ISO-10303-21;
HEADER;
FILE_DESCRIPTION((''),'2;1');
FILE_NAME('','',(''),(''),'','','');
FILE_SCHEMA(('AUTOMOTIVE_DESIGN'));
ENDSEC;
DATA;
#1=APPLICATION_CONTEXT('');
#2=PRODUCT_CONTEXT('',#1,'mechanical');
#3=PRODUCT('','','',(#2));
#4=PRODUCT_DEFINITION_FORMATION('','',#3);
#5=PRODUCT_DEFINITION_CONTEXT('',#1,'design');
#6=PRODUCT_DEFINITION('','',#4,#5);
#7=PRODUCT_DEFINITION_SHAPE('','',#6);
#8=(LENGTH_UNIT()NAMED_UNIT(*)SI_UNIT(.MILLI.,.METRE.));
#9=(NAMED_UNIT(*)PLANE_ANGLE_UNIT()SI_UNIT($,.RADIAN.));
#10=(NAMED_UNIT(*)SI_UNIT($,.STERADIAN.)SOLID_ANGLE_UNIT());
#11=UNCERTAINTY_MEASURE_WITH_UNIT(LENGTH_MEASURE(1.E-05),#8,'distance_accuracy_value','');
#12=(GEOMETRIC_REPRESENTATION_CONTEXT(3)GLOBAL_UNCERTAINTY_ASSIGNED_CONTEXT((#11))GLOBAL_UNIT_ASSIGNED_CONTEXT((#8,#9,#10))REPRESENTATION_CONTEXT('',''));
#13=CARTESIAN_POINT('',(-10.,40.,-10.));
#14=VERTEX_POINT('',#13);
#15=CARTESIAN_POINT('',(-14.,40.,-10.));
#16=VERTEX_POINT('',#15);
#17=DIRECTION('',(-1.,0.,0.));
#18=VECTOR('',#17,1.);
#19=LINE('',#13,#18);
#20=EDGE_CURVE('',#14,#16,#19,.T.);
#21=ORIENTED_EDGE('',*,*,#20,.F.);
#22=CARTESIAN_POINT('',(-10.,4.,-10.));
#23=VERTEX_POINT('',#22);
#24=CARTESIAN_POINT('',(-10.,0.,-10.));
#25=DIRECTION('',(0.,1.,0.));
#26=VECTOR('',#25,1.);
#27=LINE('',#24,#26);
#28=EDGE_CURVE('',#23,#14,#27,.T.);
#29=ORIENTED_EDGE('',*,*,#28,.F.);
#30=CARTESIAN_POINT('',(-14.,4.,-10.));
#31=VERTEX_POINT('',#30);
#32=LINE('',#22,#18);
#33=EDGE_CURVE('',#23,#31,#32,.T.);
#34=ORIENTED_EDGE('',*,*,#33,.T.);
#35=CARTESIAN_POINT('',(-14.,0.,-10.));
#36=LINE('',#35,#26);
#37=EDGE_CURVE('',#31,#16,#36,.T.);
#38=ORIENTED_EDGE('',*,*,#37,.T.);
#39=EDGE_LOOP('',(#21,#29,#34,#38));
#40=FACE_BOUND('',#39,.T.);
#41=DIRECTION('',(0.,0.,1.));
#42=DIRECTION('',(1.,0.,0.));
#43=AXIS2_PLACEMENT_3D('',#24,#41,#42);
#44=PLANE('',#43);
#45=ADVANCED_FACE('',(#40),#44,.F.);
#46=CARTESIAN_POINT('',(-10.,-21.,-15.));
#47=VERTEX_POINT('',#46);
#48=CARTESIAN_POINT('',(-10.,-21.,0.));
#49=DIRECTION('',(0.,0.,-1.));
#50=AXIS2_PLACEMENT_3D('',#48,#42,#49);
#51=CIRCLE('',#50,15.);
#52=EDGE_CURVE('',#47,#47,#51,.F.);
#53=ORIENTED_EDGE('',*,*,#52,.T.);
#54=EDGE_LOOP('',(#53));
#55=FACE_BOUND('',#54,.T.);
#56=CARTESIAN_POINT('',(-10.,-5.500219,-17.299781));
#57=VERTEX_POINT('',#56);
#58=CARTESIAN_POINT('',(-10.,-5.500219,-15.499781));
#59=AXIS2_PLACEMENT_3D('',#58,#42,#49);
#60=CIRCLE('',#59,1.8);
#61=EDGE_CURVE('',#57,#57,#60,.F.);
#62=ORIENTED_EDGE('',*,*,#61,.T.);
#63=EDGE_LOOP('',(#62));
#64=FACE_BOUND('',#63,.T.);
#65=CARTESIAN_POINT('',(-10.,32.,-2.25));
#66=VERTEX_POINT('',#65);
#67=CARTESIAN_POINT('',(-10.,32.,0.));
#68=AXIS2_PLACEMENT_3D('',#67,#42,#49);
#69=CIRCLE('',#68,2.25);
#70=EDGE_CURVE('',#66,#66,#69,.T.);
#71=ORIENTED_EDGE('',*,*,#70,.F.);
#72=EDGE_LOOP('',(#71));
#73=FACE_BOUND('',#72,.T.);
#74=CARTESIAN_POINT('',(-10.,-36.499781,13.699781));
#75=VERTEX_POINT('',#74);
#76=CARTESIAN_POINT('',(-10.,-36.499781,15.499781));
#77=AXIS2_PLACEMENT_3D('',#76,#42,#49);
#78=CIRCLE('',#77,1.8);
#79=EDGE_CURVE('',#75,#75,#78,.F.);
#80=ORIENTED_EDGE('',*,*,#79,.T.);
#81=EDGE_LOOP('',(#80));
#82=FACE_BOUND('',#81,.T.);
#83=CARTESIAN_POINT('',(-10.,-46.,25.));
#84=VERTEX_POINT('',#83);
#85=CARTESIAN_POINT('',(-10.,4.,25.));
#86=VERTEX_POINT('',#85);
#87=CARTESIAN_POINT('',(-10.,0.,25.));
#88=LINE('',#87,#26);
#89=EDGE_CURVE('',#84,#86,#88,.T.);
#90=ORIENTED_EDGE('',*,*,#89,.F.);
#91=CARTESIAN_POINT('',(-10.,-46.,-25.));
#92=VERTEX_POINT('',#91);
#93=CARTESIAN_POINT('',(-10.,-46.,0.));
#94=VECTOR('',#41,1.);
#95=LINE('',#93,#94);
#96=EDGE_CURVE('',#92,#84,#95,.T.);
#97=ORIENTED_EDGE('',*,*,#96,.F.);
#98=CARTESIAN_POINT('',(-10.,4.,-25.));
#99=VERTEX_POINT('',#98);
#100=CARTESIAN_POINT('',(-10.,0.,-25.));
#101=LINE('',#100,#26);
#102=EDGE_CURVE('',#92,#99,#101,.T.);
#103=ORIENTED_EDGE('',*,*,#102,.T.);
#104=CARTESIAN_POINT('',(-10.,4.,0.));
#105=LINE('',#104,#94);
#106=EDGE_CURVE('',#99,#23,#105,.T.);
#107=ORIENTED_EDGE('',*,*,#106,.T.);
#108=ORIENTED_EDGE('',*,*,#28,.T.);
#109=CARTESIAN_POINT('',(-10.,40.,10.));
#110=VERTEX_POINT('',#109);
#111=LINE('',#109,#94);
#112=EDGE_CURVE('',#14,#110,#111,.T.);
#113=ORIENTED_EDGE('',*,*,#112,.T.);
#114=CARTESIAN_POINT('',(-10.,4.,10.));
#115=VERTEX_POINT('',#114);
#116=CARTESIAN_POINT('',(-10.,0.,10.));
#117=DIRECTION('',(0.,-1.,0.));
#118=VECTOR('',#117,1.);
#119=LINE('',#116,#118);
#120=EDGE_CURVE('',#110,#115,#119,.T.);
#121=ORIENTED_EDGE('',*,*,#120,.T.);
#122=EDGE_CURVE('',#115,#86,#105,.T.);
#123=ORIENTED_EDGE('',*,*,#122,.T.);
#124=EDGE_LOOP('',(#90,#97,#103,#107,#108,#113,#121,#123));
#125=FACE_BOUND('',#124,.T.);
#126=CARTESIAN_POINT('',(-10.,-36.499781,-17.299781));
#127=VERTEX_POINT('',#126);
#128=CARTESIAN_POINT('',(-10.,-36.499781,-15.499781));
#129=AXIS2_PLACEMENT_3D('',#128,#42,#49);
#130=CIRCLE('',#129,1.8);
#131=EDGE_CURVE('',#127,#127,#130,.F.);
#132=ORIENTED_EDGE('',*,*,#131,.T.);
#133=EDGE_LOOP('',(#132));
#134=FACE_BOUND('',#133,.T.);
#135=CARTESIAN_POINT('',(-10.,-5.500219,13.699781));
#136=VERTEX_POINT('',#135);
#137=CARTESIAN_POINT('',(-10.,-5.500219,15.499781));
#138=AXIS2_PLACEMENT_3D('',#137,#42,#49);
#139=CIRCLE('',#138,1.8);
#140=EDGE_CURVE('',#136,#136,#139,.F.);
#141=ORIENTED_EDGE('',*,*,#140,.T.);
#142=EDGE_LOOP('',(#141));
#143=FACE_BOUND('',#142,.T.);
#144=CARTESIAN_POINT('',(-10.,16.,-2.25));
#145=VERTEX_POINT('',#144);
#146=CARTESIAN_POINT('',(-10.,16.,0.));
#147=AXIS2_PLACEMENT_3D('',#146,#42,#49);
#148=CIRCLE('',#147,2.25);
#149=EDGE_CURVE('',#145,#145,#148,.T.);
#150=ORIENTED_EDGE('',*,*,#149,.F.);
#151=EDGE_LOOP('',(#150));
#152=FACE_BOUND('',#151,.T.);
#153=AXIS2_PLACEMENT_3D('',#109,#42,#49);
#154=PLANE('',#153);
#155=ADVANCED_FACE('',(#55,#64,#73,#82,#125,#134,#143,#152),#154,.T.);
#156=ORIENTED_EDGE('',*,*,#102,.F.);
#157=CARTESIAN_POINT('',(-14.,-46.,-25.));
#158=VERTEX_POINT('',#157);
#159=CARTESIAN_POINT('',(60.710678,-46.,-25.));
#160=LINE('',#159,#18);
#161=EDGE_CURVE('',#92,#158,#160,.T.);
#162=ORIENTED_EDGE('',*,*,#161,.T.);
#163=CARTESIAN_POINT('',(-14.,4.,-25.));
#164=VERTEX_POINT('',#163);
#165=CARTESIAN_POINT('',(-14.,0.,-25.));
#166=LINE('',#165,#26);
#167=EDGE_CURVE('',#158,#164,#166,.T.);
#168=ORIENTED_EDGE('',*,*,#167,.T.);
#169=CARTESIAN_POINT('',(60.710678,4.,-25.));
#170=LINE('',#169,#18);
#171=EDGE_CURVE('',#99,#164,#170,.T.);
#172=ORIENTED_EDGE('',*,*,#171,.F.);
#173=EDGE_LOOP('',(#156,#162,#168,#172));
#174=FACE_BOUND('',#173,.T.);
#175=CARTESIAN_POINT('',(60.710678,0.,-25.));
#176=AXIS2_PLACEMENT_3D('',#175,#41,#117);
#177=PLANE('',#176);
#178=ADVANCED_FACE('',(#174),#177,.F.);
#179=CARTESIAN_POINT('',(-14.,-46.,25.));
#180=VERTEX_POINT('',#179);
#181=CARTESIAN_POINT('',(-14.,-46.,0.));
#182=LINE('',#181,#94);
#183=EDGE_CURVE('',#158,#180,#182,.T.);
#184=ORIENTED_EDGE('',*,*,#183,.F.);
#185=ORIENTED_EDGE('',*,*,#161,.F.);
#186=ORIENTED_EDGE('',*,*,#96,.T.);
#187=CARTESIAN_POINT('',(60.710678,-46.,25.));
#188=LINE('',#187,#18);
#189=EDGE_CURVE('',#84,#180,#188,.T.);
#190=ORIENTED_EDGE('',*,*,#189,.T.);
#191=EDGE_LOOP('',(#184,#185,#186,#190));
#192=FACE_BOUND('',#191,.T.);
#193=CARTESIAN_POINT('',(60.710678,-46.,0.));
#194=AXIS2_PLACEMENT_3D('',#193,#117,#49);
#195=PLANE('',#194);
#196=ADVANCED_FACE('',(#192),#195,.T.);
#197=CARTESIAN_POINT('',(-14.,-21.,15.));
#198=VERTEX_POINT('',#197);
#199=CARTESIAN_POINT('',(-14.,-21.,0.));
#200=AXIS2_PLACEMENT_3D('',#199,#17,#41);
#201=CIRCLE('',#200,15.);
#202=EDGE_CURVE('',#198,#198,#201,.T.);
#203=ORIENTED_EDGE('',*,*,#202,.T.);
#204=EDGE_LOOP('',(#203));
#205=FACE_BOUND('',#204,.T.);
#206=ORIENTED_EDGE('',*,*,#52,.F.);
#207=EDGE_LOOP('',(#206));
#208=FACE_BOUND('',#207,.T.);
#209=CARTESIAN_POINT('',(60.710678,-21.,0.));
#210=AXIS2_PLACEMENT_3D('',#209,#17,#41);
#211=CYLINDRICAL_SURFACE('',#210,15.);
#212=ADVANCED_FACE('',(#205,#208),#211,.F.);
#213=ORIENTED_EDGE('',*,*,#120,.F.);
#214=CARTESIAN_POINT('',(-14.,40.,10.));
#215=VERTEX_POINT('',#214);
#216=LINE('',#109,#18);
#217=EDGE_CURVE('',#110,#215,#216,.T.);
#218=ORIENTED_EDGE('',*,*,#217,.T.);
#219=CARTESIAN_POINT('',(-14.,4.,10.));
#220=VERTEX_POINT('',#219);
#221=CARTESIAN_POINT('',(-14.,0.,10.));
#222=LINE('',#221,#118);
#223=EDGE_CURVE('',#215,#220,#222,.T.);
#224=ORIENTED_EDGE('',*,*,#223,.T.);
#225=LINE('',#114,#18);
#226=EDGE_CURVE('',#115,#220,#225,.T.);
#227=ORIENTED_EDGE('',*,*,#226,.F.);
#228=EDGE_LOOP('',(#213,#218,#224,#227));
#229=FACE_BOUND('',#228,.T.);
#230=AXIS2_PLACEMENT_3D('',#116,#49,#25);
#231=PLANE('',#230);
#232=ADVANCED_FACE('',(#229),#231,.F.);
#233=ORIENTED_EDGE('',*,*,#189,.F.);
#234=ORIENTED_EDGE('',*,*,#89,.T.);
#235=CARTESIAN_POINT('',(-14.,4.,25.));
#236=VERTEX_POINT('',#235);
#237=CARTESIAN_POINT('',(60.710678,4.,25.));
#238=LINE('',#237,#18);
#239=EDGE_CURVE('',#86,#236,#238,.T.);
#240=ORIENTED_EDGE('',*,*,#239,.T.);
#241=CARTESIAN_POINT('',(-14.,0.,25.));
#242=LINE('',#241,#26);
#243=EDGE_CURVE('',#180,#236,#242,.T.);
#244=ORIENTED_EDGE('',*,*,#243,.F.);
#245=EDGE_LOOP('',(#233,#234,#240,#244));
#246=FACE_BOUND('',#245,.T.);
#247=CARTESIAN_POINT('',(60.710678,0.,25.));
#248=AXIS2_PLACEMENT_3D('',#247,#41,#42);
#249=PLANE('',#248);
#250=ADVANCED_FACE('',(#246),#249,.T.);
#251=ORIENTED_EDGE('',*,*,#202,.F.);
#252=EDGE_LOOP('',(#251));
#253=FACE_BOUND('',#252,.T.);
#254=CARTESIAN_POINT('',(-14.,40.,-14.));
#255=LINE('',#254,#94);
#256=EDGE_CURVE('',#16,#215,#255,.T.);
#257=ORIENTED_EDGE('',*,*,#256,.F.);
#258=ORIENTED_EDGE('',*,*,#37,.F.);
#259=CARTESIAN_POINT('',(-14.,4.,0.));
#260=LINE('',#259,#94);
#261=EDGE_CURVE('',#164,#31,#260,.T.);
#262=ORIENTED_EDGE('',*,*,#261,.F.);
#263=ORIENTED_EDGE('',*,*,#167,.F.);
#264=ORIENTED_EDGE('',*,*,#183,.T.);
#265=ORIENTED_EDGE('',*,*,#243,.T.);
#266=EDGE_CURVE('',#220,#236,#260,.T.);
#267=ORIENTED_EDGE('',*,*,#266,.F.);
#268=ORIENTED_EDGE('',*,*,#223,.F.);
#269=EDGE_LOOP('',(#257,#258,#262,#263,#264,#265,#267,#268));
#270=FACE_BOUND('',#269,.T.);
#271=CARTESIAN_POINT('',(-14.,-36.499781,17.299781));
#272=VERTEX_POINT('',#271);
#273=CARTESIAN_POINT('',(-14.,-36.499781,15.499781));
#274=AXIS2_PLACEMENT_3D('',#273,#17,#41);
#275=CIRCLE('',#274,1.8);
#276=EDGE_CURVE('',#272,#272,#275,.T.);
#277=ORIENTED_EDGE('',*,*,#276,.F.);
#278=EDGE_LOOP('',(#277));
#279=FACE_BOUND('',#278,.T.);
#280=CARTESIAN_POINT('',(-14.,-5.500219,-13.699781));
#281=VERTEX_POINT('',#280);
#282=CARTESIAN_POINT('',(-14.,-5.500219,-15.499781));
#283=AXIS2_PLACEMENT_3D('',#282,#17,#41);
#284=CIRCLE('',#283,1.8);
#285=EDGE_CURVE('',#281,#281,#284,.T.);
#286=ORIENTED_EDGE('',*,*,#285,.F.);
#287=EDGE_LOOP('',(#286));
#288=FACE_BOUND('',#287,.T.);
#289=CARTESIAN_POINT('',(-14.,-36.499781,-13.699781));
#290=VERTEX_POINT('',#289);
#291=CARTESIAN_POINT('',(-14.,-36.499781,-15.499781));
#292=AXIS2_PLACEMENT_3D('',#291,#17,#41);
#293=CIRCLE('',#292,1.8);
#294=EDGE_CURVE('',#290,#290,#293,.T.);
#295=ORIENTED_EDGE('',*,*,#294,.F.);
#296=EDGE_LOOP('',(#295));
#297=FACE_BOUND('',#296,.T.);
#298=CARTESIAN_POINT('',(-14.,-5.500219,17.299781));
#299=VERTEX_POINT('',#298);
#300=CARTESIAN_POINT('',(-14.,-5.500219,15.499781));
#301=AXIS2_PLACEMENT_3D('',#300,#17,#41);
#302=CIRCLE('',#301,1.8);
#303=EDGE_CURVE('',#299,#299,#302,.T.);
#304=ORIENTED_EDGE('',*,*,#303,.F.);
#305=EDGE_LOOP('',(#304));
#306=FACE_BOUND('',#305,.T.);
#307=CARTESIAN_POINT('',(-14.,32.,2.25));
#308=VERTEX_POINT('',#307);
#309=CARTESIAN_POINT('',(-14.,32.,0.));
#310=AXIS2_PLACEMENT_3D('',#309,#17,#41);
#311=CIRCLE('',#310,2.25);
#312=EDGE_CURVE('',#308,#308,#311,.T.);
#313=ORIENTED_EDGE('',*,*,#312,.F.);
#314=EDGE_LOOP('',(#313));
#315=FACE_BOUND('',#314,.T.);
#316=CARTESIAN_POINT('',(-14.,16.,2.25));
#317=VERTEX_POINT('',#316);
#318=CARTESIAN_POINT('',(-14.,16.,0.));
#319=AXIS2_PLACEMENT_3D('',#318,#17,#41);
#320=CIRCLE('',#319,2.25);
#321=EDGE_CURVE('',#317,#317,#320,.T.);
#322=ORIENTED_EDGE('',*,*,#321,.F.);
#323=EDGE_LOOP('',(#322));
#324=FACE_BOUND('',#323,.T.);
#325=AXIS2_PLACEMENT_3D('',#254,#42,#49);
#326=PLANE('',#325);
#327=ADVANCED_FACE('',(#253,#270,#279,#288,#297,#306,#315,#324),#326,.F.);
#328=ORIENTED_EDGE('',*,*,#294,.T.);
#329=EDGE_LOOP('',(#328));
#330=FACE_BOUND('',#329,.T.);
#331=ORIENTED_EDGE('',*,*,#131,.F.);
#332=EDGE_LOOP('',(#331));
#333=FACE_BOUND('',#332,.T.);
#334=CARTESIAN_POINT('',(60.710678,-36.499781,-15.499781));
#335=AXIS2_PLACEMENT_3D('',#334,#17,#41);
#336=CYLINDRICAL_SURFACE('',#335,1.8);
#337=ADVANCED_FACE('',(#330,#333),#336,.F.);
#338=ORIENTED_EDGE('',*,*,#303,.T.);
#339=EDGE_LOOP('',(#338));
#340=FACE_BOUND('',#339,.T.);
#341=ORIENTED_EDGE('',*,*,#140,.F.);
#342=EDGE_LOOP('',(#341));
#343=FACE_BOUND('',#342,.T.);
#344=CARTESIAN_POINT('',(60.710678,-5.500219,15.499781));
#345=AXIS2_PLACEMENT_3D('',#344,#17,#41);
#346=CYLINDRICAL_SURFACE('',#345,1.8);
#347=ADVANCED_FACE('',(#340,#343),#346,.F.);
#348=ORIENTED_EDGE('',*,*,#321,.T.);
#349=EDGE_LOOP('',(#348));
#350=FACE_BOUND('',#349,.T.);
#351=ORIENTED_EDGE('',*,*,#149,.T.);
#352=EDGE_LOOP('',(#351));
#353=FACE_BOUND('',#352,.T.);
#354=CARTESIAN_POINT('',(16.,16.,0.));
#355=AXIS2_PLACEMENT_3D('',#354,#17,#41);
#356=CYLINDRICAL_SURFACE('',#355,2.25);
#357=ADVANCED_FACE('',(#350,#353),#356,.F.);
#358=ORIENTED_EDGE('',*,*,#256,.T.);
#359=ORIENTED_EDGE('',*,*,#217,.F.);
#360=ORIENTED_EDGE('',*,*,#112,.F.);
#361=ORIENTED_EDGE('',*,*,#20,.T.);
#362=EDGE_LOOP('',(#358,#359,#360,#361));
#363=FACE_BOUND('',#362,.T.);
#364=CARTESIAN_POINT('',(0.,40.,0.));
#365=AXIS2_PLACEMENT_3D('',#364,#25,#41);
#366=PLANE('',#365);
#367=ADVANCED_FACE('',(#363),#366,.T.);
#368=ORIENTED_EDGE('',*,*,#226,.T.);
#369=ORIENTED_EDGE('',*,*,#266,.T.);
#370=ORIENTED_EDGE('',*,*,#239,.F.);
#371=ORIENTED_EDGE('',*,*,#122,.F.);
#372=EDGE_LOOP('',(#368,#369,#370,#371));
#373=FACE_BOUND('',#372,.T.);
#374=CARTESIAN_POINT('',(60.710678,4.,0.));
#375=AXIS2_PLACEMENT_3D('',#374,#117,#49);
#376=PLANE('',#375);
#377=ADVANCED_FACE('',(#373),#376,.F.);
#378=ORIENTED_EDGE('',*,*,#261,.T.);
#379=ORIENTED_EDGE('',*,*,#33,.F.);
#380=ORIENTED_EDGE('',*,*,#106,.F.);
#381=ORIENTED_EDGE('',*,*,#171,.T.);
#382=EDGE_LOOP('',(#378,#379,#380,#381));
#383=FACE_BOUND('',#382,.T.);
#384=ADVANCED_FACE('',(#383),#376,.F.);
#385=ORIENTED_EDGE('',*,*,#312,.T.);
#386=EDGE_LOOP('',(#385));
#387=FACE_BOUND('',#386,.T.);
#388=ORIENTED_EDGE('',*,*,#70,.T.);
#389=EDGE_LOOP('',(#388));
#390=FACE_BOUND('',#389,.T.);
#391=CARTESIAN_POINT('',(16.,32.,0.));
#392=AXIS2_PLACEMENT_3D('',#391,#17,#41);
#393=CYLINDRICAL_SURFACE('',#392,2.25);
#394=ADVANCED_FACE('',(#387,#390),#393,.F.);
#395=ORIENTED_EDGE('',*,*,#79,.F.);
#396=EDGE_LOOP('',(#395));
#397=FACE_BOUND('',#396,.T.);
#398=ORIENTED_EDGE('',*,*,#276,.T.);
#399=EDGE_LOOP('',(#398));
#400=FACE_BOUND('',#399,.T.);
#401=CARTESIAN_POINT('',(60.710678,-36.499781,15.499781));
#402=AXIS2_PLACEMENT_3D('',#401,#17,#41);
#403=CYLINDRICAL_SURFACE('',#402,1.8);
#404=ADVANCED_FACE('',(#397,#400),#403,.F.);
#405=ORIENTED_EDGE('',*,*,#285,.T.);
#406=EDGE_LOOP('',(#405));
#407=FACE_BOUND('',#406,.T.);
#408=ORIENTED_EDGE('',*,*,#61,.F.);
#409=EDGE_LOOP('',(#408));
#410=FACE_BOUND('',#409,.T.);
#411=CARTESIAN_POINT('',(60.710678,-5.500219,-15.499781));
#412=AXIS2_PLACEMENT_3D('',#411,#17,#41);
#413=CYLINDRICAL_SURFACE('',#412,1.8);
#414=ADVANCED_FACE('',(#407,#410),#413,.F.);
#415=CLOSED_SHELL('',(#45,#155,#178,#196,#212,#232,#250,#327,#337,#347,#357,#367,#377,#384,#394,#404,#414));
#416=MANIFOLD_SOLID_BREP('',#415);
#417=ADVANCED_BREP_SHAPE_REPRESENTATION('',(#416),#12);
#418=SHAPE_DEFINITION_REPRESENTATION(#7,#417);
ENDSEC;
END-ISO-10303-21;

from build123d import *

# Parameters (mm, degrees)
SKETCH1_W           = 28
SKETCH1_H           = 28
SKETCH1_W_2         = 20
SKETCH1_H_2         = 20
BOSS_EXTRUDE1_DEPTH = 40
SKETCH2_R           = 2.25
CUT_EXTRUDE1_DEPTH  = 30
SKETCH5_W           = 50
SKETCH5_H           = 50
SKETCH5_R           = 1.8
SKETCH5_R_2         = 15
BOSS_EXTRUDE2_DEPTH = 4
SKETCH6_W           = 24
SKETCH6_H           = 28
CUT_EXTRUDE2_DEPTH  = 40
SKETCH7_W           = 4
SKETCH7_H           = 36
CUT_EXTRUDE3_DEPTH  = 4


with BuildPart() as part:
    # Sketch1 → Boss-Extrude1 (new body)
    with BuildSketch(Plane(origin=(0, 0, 0), x_dir=(1, 0, 0), z_dir=(0, 1, 0))):
        Rectangle(SKETCH1_W, SKETCH1_H)
        Rectangle(SKETCH1_W_2, SKETCH1_H_2, mode=Mode.SUBTRACT)
    extrude(amount=BOSS_EXTRUDE1_DEPTH)

    # Sketch2 → Cut-Extrude1 (cut)
    with BuildSketch(Plane.ZY.offset(14)):
        with Locations((0, 32)):
            Circle(SKETCH2_R)
        with Locations((0, 16)):
            Circle(SKETCH2_R)
    extrude(amount=-CUT_EXTRUDE1_DEPTH, mode=Mode.SUBTRACT)

    # Sketch5 → Boss-Extrude2 (add)
    with BuildSketch(Plane.ZY.offset(14)):
        with Locations((0, -21)):
            Rectangle(SKETCH5_W, SKETCH5_H)
        with Locations((-15.499780644, -5.500219356)):
            Circle(SKETCH5_R, mode=Mode.SUBTRACT)
        with Locations((15.499780644, -5.500219356)):
            Circle(SKETCH5_R, mode=Mode.SUBTRACT)
        with Locations((15.499780644, -36.499780644)):
            Circle(SKETCH5_R, mode=Mode.SUBTRACT)
        with Locations((-15.499780644, -36.499780644)):
            Circle(SKETCH5_R, mode=Mode.SUBTRACT)
        with Locations((0, -21)):
            Circle(SKETCH5_R_2, mode=Mode.SUBTRACT)
    extrude(amount=-BOSS_EXTRUDE2_DEPTH)

    # Sketch6 → Cut-Extrude2 (cut)
    with BuildSketch(Plane.XZ):
        with Locations((2, 0)):
            Rectangle(SKETCH6_W, SKETCH6_H)
    extrude(amount=-CUT_EXTRUDE2_DEPTH, mode=Mode.SUBTRACT)

    # Sketch7 → Cut-Extrude3 (cut)
    with BuildSketch(Plane.ZY.offset(14)):
        with Locations((-12, 22)):
            Rectangle(SKETCH7_W, SKETCH7_H)
        with Locations((12, 22)):
            Rectangle(SKETCH7_W, SKETCH7_H)
    extrude(amount=-CUT_EXTRUDE3_DEPTH, mode=Mode.SUBTRACT)


solid = part.part
